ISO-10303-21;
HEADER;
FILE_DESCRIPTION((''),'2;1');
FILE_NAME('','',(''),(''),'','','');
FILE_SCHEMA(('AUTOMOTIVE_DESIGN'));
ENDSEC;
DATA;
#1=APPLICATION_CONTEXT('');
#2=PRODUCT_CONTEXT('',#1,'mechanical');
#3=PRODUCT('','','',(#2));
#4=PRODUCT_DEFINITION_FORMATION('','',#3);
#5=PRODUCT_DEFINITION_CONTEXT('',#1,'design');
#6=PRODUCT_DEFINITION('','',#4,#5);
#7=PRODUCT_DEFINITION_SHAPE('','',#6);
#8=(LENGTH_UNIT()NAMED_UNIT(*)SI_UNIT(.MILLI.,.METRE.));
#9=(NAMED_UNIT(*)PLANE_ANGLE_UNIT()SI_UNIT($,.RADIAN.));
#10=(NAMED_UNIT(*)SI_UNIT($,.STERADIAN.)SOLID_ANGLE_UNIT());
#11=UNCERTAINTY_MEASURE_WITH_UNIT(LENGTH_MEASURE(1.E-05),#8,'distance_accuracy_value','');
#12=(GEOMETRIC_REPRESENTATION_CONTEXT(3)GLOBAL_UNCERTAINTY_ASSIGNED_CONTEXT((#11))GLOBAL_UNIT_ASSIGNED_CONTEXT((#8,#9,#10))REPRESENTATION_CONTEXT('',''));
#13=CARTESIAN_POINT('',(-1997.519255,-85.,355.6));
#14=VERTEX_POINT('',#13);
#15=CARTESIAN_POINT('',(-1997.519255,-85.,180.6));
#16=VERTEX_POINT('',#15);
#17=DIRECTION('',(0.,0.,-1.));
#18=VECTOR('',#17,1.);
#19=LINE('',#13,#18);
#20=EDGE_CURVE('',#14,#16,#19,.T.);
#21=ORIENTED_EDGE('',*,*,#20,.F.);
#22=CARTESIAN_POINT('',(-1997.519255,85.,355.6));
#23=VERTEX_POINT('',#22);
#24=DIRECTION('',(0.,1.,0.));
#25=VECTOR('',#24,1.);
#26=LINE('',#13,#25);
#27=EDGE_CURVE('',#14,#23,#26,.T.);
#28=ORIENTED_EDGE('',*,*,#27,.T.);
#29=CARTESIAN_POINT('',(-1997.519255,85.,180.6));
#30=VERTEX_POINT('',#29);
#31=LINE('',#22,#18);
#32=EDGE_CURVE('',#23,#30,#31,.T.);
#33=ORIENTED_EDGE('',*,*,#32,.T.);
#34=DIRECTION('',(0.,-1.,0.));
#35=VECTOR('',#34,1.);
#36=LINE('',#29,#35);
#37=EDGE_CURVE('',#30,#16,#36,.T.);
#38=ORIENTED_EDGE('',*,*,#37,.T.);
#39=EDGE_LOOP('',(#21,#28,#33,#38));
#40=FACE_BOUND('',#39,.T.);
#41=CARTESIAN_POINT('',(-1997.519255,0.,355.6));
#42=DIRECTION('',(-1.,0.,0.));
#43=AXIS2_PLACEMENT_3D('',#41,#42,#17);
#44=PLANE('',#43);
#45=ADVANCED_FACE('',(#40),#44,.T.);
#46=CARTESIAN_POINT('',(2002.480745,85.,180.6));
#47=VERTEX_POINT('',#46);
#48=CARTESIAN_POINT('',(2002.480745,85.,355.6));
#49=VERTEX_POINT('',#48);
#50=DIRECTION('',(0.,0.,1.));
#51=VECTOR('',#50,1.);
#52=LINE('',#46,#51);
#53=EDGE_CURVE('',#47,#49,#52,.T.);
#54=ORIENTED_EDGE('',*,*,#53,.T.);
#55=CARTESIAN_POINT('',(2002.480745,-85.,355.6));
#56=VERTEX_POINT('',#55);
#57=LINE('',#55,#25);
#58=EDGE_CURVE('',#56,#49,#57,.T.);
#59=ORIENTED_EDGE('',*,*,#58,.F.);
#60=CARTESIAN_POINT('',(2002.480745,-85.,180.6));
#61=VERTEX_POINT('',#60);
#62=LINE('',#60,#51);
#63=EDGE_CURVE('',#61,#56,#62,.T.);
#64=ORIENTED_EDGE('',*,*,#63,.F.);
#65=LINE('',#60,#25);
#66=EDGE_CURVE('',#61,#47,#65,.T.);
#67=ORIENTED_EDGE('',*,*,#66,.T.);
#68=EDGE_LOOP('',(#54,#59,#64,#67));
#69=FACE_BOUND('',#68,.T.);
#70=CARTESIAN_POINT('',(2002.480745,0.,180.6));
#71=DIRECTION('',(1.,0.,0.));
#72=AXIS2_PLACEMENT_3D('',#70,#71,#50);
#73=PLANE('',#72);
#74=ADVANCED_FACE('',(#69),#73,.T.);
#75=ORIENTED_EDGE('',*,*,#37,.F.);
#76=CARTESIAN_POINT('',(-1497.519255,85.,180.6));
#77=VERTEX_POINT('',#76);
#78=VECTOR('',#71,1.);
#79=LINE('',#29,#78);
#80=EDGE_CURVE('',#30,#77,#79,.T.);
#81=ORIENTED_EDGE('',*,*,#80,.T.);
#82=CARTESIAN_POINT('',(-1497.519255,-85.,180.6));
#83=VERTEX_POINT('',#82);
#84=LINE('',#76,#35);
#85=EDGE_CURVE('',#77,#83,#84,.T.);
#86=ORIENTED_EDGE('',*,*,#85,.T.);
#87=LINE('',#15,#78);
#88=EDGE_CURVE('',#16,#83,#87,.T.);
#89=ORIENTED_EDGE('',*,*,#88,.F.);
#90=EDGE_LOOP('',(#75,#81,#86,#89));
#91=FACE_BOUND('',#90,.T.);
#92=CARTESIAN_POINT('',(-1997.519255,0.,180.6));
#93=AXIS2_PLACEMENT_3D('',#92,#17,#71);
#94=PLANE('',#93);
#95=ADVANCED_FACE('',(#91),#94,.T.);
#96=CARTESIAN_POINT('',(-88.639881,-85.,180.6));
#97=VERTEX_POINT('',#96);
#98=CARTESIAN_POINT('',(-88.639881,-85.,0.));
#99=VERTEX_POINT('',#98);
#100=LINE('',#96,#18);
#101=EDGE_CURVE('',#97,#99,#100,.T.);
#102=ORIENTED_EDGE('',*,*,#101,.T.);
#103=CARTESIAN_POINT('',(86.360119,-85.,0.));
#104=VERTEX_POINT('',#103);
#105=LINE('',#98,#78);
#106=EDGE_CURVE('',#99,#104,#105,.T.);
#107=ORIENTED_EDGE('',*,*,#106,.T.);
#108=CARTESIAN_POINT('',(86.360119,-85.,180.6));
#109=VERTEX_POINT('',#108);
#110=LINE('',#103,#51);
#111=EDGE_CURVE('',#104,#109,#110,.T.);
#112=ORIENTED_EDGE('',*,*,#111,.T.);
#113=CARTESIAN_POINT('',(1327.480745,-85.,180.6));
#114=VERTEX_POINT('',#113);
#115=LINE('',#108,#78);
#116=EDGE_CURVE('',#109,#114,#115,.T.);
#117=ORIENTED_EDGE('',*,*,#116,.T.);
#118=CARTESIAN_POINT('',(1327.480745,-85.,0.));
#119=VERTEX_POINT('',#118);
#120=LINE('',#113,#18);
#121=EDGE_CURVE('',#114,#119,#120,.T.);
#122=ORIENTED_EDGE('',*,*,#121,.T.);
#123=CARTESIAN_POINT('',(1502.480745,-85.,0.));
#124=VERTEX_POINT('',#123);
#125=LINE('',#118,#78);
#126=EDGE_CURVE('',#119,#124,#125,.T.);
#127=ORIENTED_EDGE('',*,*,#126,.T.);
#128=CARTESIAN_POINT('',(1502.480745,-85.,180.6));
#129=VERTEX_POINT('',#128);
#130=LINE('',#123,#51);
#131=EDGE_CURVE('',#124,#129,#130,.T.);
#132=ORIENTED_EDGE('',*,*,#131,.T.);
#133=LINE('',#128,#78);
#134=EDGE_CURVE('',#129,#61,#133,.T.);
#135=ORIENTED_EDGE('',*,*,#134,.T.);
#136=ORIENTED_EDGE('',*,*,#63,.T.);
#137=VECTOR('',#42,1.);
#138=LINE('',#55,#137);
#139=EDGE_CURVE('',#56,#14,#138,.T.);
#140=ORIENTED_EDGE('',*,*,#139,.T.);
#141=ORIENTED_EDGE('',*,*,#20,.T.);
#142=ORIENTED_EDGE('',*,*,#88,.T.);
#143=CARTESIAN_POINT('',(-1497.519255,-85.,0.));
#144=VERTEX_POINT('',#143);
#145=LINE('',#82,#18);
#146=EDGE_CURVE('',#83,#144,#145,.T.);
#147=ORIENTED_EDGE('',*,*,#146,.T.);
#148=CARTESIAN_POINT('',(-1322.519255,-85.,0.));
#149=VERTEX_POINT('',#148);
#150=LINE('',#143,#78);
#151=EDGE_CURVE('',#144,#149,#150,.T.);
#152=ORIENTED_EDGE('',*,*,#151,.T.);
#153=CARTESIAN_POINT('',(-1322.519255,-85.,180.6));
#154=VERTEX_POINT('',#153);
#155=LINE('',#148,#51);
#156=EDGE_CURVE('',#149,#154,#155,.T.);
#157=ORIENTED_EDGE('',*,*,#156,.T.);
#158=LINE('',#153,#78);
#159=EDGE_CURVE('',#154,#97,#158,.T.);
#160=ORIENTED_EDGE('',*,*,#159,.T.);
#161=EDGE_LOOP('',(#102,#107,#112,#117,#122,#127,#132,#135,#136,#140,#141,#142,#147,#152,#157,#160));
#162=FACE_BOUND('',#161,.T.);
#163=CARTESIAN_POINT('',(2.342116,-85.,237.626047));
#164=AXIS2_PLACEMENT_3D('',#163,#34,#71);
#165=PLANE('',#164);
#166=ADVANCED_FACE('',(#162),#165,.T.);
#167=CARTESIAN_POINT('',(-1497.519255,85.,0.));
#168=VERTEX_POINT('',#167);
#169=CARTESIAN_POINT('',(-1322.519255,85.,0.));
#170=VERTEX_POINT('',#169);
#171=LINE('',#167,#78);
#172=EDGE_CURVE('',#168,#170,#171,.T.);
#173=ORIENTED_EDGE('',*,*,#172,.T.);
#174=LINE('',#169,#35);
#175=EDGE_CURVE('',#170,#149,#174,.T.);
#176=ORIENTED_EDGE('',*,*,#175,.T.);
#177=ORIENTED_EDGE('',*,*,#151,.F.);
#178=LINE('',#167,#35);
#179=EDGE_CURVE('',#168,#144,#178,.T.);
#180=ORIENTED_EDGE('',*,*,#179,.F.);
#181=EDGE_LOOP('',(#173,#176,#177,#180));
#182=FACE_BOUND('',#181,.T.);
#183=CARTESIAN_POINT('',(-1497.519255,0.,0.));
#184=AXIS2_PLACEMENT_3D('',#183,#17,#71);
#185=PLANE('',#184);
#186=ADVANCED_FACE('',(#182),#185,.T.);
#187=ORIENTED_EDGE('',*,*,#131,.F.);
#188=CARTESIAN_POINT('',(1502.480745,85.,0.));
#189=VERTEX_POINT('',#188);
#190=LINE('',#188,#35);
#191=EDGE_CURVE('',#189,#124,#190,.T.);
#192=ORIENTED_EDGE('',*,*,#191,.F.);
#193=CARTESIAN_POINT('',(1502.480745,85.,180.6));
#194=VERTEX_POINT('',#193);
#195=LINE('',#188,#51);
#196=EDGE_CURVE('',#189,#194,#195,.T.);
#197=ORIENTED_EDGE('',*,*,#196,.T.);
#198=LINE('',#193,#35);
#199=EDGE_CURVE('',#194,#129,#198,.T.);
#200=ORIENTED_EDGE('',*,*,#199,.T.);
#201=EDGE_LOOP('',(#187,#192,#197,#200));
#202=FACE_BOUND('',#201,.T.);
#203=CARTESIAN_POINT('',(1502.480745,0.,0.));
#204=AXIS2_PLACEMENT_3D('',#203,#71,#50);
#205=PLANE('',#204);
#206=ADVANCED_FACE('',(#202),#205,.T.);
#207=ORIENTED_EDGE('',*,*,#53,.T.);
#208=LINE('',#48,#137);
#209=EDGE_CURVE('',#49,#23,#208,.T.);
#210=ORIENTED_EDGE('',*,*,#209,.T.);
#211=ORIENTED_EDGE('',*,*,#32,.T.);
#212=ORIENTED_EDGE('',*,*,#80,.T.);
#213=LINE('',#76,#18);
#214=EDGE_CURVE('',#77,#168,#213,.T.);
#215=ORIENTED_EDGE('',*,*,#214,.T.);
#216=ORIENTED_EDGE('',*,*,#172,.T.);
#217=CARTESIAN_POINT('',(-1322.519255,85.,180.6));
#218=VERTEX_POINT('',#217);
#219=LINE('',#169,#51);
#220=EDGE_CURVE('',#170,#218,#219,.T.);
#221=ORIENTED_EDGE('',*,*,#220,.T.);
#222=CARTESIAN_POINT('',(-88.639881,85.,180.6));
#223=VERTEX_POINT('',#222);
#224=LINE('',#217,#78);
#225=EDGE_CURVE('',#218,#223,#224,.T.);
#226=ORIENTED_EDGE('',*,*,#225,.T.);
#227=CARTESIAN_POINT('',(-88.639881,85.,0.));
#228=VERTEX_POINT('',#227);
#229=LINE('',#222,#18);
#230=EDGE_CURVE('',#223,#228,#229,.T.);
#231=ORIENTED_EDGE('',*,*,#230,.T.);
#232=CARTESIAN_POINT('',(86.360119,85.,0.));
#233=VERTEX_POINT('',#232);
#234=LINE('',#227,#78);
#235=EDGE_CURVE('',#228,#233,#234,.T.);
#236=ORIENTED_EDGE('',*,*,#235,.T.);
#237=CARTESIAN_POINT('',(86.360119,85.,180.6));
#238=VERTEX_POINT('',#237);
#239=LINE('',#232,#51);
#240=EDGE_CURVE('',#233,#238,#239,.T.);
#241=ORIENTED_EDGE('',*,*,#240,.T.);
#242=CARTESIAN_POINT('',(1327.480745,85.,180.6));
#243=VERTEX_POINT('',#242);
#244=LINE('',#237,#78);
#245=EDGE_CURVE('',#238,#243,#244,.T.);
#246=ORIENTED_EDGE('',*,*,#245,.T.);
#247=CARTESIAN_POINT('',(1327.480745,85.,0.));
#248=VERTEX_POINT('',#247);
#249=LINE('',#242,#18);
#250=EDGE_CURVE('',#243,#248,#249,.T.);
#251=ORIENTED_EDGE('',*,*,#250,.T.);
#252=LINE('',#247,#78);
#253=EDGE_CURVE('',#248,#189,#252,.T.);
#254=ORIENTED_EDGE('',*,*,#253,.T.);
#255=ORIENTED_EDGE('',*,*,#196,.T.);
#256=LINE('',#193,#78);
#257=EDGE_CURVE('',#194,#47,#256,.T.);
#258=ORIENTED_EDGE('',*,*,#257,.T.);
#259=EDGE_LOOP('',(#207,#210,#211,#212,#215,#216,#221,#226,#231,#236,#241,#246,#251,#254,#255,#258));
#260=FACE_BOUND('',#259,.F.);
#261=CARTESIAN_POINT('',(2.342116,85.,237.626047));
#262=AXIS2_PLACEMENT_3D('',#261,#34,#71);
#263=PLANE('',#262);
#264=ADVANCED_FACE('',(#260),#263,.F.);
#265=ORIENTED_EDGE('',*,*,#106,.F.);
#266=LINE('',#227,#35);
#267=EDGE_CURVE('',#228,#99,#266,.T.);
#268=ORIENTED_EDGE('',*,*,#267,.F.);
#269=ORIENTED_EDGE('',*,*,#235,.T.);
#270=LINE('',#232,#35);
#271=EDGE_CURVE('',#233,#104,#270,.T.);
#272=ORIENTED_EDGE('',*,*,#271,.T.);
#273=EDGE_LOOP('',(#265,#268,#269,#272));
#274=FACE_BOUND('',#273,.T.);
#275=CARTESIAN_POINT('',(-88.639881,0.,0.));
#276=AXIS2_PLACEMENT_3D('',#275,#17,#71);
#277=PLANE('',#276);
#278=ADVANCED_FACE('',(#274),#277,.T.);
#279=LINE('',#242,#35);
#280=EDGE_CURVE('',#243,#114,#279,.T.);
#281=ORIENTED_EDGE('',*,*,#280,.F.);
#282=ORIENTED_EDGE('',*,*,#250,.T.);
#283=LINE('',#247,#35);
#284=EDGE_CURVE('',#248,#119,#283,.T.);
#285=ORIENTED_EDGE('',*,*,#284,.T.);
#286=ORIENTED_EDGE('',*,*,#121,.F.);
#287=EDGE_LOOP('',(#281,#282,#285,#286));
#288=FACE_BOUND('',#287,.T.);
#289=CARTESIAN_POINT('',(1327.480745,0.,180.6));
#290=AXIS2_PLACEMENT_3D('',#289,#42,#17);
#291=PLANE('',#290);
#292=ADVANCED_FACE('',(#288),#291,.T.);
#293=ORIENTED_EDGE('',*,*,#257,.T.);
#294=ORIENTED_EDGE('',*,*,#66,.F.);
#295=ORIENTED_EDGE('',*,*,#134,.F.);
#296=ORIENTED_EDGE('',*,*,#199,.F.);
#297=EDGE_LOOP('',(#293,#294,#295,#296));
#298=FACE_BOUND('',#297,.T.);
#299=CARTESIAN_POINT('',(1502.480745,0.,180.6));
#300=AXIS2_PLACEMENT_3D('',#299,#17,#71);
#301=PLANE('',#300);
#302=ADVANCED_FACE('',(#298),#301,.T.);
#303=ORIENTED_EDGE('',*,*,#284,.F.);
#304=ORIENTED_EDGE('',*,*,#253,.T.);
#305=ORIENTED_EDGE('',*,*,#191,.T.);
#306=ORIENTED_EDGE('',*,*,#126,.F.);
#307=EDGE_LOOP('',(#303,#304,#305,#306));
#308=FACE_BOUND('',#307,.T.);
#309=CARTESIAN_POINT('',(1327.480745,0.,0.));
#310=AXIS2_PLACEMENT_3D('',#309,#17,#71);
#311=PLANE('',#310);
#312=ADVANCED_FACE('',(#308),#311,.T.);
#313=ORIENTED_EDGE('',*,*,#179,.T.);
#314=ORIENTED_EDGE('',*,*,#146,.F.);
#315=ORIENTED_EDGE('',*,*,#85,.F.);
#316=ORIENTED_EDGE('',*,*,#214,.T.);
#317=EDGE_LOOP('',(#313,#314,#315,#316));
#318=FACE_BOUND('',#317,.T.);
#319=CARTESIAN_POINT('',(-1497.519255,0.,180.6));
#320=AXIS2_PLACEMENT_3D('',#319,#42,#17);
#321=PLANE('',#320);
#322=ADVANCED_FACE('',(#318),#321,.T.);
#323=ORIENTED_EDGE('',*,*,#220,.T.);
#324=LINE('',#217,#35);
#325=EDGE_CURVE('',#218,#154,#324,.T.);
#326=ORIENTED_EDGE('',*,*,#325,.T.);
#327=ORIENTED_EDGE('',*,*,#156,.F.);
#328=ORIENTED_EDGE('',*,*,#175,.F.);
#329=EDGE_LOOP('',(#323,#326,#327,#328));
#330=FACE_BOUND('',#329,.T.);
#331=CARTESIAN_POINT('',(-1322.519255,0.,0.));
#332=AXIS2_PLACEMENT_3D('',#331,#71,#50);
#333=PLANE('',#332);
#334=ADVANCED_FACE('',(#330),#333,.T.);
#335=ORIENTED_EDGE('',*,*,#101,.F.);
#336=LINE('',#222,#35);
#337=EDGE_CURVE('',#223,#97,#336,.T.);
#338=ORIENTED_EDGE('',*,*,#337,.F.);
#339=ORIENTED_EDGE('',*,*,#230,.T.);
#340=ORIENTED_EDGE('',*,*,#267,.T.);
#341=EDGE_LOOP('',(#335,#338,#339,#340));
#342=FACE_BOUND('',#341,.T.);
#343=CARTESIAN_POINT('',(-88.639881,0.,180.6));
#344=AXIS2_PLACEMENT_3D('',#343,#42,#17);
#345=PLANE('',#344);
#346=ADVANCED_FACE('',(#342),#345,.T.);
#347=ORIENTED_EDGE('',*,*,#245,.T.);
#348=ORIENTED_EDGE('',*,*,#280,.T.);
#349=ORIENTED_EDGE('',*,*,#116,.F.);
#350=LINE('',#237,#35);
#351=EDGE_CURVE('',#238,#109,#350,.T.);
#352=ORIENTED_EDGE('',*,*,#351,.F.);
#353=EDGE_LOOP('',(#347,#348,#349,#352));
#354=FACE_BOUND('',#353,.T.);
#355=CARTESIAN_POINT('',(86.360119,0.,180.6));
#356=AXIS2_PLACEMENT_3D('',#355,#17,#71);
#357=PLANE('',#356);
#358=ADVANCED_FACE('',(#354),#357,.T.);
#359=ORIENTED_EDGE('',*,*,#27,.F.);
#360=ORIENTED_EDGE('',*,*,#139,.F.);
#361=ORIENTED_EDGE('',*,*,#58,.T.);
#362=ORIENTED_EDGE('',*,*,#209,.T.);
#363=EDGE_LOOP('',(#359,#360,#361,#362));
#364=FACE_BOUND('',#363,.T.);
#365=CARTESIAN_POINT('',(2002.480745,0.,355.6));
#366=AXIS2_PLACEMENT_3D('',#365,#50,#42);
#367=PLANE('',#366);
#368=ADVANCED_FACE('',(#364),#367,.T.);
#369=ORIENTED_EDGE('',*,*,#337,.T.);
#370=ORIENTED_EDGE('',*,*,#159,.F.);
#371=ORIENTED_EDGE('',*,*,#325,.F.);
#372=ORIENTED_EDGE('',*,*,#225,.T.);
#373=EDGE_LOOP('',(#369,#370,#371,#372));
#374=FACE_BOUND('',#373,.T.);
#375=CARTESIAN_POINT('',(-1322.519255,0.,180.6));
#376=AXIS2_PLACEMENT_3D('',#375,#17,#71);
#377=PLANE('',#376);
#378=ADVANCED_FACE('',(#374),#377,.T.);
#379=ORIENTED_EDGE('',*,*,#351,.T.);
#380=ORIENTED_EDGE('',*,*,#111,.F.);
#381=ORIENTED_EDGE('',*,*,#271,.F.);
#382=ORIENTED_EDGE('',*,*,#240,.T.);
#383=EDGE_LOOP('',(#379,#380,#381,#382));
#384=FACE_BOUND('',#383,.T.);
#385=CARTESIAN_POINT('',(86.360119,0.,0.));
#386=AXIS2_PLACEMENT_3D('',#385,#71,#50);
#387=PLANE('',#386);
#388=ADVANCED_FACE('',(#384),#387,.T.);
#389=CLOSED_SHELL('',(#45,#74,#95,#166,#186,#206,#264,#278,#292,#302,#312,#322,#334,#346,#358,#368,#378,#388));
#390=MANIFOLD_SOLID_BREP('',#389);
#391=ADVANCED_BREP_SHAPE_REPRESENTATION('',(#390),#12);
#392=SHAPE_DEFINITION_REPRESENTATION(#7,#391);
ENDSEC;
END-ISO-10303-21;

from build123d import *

# Parameters (mm, degrees)
F1_DEPTH = 85


with BuildPart() as f1:
    # F0 (on Front) → F1 (new body, symmetric)
    with BuildSketch(Plane.XZ):
        Polygon((-1997.5192546844, 355.6), (-1997.5192546844, 180.6), (-1497.5192546844, 180.6), (-1497.5192546844, 0), (-1322.5192546844, 0), (-1322.5192546844, 180.6), (-88.6398814619, 180.6), (-88.6398814619, 0), (86.3601185381, 0), (86.3601185381, 180.6), (1327.4807453156, 180.6), (1327.4807453156, 0), (1502.4807453156, 0), (1502.4807453156, 180.6), (2002.4807453156, 180.6), (2002.4807453156, 355.6), align=None)
    extrude(amount=F1_DEPTH, both=True)


solid = f1.part
